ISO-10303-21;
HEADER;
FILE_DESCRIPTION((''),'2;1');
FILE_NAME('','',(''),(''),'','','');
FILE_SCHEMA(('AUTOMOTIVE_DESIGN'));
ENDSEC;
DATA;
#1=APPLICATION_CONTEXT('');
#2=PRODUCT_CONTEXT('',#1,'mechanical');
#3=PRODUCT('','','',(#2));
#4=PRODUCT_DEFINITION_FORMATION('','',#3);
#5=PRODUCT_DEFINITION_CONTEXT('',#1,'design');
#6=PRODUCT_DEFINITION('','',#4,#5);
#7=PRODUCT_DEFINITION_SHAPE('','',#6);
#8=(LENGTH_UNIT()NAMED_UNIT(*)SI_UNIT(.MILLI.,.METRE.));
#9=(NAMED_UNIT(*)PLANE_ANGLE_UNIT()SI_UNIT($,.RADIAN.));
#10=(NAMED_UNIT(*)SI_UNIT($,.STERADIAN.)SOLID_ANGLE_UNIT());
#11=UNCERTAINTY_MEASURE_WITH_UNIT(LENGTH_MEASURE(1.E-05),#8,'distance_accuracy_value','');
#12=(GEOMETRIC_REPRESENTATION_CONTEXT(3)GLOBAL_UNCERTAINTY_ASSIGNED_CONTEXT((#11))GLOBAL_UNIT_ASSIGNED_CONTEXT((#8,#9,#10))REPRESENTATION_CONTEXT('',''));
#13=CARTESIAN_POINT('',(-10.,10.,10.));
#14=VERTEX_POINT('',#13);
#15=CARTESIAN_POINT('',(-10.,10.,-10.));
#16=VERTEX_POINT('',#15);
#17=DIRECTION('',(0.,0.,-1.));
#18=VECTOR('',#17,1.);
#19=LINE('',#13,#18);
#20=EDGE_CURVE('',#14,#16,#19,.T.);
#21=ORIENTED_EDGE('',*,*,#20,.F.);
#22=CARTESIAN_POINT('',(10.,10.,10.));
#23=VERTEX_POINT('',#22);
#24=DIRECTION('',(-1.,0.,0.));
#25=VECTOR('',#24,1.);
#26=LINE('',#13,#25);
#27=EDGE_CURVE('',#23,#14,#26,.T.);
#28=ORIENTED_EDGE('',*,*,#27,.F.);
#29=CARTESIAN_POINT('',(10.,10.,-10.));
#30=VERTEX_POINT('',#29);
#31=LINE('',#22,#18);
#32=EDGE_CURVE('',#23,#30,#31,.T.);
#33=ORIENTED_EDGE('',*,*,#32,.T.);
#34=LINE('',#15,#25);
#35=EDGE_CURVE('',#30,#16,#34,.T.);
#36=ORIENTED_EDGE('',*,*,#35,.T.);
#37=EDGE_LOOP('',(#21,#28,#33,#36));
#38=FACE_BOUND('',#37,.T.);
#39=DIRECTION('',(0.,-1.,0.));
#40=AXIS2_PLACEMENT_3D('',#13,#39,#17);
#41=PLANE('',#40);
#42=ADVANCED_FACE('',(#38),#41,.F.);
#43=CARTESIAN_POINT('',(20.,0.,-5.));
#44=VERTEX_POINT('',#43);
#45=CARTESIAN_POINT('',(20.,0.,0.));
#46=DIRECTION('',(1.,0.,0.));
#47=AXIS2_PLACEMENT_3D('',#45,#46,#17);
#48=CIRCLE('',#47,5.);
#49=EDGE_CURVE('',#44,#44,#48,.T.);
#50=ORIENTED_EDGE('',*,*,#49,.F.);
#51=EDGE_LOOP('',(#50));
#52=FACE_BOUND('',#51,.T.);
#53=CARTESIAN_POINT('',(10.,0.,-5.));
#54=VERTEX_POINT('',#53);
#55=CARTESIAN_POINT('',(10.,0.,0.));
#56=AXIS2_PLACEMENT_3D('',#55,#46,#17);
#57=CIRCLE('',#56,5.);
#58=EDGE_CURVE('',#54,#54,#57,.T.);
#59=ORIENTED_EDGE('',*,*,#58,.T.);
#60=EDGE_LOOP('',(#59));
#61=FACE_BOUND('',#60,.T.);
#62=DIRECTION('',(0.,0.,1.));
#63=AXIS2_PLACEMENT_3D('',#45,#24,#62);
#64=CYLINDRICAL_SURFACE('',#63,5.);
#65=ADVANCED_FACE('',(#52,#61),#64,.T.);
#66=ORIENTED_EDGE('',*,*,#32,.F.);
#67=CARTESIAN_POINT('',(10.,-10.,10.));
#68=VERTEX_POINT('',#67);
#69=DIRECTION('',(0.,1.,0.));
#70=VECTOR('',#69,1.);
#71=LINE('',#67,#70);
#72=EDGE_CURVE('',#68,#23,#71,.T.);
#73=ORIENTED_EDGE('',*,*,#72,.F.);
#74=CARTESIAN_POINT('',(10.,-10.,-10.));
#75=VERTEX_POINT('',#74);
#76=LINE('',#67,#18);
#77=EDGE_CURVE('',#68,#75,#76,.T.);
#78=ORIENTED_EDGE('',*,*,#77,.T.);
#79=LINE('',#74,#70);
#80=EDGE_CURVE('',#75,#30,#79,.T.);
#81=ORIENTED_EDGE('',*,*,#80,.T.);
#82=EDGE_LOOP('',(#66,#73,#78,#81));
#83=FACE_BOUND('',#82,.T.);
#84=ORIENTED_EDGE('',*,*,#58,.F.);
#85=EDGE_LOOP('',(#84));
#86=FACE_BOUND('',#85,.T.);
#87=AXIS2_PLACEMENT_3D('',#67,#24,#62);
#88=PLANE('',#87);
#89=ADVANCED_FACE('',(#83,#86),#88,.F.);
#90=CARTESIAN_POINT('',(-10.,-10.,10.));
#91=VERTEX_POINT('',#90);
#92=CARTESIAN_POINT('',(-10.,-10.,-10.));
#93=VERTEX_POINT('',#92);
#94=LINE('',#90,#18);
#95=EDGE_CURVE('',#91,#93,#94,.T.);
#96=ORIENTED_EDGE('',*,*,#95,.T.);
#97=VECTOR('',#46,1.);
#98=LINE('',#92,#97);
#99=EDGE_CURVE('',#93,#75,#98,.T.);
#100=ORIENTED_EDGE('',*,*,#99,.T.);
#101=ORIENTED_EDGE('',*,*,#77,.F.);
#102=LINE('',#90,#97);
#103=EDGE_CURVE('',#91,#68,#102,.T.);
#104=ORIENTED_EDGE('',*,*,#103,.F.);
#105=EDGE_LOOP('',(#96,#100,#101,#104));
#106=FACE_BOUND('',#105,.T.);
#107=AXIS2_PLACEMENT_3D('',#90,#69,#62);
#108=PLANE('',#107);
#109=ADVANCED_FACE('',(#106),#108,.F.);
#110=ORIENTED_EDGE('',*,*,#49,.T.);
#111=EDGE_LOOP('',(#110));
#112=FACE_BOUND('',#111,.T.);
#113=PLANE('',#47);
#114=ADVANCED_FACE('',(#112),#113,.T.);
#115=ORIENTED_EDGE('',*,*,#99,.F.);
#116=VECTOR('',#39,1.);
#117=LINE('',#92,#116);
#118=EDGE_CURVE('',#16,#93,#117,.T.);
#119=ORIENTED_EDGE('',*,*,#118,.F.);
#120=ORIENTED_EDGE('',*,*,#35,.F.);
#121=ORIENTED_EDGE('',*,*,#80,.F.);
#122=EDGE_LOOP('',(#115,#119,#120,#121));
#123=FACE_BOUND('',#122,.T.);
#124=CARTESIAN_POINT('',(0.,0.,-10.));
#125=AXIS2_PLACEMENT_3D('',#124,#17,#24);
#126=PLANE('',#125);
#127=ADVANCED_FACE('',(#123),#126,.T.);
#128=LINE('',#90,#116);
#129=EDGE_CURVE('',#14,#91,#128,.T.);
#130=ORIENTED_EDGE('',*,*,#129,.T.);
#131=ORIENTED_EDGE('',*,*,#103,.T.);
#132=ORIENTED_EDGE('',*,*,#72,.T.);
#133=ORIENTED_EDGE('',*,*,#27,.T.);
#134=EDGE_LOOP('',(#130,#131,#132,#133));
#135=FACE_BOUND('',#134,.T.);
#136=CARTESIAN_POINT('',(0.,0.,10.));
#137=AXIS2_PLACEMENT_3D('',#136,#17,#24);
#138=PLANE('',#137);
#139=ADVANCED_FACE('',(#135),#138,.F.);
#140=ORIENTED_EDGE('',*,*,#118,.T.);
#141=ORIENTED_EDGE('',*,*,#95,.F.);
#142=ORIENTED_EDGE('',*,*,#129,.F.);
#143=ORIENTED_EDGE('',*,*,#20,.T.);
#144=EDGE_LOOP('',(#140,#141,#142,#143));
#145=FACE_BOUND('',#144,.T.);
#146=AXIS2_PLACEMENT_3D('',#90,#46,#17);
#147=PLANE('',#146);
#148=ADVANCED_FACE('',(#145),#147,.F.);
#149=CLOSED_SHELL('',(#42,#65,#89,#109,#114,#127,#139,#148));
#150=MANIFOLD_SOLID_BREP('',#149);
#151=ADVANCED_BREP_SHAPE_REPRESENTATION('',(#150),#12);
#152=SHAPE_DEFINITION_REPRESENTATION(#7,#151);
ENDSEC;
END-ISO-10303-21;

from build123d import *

# Parameters (mm, degrees)
SKETCH_1_W      = 20
SKETCH_1_H      = 20
EXTRUDE_1_DEPTH = 10
SKETCH_2_R      = 5
EXTRUDE_2_DEPTH = 10


with BuildPart() as part:
    # 草图1 → 凸台-拉伸1 (new, symmetric)
    with BuildSketch(Plane.XY):
        Rectangle(SKETCH_1_W, SKETCH_1_H)
    extrude(amount=EXTRUDE_1_DEPTH, both=True)

    # 草图2 → 凸台-拉伸2 (add)
    with BuildSketch(Plane(origin=(10, 0, 0), x_dir=(0, 0, -1), z_dir=(1, 0, 0))):
        Circle(SKETCH_2_R)
    extrude(amount=EXTRUDE_2_DEPTH)


solid = part.part
